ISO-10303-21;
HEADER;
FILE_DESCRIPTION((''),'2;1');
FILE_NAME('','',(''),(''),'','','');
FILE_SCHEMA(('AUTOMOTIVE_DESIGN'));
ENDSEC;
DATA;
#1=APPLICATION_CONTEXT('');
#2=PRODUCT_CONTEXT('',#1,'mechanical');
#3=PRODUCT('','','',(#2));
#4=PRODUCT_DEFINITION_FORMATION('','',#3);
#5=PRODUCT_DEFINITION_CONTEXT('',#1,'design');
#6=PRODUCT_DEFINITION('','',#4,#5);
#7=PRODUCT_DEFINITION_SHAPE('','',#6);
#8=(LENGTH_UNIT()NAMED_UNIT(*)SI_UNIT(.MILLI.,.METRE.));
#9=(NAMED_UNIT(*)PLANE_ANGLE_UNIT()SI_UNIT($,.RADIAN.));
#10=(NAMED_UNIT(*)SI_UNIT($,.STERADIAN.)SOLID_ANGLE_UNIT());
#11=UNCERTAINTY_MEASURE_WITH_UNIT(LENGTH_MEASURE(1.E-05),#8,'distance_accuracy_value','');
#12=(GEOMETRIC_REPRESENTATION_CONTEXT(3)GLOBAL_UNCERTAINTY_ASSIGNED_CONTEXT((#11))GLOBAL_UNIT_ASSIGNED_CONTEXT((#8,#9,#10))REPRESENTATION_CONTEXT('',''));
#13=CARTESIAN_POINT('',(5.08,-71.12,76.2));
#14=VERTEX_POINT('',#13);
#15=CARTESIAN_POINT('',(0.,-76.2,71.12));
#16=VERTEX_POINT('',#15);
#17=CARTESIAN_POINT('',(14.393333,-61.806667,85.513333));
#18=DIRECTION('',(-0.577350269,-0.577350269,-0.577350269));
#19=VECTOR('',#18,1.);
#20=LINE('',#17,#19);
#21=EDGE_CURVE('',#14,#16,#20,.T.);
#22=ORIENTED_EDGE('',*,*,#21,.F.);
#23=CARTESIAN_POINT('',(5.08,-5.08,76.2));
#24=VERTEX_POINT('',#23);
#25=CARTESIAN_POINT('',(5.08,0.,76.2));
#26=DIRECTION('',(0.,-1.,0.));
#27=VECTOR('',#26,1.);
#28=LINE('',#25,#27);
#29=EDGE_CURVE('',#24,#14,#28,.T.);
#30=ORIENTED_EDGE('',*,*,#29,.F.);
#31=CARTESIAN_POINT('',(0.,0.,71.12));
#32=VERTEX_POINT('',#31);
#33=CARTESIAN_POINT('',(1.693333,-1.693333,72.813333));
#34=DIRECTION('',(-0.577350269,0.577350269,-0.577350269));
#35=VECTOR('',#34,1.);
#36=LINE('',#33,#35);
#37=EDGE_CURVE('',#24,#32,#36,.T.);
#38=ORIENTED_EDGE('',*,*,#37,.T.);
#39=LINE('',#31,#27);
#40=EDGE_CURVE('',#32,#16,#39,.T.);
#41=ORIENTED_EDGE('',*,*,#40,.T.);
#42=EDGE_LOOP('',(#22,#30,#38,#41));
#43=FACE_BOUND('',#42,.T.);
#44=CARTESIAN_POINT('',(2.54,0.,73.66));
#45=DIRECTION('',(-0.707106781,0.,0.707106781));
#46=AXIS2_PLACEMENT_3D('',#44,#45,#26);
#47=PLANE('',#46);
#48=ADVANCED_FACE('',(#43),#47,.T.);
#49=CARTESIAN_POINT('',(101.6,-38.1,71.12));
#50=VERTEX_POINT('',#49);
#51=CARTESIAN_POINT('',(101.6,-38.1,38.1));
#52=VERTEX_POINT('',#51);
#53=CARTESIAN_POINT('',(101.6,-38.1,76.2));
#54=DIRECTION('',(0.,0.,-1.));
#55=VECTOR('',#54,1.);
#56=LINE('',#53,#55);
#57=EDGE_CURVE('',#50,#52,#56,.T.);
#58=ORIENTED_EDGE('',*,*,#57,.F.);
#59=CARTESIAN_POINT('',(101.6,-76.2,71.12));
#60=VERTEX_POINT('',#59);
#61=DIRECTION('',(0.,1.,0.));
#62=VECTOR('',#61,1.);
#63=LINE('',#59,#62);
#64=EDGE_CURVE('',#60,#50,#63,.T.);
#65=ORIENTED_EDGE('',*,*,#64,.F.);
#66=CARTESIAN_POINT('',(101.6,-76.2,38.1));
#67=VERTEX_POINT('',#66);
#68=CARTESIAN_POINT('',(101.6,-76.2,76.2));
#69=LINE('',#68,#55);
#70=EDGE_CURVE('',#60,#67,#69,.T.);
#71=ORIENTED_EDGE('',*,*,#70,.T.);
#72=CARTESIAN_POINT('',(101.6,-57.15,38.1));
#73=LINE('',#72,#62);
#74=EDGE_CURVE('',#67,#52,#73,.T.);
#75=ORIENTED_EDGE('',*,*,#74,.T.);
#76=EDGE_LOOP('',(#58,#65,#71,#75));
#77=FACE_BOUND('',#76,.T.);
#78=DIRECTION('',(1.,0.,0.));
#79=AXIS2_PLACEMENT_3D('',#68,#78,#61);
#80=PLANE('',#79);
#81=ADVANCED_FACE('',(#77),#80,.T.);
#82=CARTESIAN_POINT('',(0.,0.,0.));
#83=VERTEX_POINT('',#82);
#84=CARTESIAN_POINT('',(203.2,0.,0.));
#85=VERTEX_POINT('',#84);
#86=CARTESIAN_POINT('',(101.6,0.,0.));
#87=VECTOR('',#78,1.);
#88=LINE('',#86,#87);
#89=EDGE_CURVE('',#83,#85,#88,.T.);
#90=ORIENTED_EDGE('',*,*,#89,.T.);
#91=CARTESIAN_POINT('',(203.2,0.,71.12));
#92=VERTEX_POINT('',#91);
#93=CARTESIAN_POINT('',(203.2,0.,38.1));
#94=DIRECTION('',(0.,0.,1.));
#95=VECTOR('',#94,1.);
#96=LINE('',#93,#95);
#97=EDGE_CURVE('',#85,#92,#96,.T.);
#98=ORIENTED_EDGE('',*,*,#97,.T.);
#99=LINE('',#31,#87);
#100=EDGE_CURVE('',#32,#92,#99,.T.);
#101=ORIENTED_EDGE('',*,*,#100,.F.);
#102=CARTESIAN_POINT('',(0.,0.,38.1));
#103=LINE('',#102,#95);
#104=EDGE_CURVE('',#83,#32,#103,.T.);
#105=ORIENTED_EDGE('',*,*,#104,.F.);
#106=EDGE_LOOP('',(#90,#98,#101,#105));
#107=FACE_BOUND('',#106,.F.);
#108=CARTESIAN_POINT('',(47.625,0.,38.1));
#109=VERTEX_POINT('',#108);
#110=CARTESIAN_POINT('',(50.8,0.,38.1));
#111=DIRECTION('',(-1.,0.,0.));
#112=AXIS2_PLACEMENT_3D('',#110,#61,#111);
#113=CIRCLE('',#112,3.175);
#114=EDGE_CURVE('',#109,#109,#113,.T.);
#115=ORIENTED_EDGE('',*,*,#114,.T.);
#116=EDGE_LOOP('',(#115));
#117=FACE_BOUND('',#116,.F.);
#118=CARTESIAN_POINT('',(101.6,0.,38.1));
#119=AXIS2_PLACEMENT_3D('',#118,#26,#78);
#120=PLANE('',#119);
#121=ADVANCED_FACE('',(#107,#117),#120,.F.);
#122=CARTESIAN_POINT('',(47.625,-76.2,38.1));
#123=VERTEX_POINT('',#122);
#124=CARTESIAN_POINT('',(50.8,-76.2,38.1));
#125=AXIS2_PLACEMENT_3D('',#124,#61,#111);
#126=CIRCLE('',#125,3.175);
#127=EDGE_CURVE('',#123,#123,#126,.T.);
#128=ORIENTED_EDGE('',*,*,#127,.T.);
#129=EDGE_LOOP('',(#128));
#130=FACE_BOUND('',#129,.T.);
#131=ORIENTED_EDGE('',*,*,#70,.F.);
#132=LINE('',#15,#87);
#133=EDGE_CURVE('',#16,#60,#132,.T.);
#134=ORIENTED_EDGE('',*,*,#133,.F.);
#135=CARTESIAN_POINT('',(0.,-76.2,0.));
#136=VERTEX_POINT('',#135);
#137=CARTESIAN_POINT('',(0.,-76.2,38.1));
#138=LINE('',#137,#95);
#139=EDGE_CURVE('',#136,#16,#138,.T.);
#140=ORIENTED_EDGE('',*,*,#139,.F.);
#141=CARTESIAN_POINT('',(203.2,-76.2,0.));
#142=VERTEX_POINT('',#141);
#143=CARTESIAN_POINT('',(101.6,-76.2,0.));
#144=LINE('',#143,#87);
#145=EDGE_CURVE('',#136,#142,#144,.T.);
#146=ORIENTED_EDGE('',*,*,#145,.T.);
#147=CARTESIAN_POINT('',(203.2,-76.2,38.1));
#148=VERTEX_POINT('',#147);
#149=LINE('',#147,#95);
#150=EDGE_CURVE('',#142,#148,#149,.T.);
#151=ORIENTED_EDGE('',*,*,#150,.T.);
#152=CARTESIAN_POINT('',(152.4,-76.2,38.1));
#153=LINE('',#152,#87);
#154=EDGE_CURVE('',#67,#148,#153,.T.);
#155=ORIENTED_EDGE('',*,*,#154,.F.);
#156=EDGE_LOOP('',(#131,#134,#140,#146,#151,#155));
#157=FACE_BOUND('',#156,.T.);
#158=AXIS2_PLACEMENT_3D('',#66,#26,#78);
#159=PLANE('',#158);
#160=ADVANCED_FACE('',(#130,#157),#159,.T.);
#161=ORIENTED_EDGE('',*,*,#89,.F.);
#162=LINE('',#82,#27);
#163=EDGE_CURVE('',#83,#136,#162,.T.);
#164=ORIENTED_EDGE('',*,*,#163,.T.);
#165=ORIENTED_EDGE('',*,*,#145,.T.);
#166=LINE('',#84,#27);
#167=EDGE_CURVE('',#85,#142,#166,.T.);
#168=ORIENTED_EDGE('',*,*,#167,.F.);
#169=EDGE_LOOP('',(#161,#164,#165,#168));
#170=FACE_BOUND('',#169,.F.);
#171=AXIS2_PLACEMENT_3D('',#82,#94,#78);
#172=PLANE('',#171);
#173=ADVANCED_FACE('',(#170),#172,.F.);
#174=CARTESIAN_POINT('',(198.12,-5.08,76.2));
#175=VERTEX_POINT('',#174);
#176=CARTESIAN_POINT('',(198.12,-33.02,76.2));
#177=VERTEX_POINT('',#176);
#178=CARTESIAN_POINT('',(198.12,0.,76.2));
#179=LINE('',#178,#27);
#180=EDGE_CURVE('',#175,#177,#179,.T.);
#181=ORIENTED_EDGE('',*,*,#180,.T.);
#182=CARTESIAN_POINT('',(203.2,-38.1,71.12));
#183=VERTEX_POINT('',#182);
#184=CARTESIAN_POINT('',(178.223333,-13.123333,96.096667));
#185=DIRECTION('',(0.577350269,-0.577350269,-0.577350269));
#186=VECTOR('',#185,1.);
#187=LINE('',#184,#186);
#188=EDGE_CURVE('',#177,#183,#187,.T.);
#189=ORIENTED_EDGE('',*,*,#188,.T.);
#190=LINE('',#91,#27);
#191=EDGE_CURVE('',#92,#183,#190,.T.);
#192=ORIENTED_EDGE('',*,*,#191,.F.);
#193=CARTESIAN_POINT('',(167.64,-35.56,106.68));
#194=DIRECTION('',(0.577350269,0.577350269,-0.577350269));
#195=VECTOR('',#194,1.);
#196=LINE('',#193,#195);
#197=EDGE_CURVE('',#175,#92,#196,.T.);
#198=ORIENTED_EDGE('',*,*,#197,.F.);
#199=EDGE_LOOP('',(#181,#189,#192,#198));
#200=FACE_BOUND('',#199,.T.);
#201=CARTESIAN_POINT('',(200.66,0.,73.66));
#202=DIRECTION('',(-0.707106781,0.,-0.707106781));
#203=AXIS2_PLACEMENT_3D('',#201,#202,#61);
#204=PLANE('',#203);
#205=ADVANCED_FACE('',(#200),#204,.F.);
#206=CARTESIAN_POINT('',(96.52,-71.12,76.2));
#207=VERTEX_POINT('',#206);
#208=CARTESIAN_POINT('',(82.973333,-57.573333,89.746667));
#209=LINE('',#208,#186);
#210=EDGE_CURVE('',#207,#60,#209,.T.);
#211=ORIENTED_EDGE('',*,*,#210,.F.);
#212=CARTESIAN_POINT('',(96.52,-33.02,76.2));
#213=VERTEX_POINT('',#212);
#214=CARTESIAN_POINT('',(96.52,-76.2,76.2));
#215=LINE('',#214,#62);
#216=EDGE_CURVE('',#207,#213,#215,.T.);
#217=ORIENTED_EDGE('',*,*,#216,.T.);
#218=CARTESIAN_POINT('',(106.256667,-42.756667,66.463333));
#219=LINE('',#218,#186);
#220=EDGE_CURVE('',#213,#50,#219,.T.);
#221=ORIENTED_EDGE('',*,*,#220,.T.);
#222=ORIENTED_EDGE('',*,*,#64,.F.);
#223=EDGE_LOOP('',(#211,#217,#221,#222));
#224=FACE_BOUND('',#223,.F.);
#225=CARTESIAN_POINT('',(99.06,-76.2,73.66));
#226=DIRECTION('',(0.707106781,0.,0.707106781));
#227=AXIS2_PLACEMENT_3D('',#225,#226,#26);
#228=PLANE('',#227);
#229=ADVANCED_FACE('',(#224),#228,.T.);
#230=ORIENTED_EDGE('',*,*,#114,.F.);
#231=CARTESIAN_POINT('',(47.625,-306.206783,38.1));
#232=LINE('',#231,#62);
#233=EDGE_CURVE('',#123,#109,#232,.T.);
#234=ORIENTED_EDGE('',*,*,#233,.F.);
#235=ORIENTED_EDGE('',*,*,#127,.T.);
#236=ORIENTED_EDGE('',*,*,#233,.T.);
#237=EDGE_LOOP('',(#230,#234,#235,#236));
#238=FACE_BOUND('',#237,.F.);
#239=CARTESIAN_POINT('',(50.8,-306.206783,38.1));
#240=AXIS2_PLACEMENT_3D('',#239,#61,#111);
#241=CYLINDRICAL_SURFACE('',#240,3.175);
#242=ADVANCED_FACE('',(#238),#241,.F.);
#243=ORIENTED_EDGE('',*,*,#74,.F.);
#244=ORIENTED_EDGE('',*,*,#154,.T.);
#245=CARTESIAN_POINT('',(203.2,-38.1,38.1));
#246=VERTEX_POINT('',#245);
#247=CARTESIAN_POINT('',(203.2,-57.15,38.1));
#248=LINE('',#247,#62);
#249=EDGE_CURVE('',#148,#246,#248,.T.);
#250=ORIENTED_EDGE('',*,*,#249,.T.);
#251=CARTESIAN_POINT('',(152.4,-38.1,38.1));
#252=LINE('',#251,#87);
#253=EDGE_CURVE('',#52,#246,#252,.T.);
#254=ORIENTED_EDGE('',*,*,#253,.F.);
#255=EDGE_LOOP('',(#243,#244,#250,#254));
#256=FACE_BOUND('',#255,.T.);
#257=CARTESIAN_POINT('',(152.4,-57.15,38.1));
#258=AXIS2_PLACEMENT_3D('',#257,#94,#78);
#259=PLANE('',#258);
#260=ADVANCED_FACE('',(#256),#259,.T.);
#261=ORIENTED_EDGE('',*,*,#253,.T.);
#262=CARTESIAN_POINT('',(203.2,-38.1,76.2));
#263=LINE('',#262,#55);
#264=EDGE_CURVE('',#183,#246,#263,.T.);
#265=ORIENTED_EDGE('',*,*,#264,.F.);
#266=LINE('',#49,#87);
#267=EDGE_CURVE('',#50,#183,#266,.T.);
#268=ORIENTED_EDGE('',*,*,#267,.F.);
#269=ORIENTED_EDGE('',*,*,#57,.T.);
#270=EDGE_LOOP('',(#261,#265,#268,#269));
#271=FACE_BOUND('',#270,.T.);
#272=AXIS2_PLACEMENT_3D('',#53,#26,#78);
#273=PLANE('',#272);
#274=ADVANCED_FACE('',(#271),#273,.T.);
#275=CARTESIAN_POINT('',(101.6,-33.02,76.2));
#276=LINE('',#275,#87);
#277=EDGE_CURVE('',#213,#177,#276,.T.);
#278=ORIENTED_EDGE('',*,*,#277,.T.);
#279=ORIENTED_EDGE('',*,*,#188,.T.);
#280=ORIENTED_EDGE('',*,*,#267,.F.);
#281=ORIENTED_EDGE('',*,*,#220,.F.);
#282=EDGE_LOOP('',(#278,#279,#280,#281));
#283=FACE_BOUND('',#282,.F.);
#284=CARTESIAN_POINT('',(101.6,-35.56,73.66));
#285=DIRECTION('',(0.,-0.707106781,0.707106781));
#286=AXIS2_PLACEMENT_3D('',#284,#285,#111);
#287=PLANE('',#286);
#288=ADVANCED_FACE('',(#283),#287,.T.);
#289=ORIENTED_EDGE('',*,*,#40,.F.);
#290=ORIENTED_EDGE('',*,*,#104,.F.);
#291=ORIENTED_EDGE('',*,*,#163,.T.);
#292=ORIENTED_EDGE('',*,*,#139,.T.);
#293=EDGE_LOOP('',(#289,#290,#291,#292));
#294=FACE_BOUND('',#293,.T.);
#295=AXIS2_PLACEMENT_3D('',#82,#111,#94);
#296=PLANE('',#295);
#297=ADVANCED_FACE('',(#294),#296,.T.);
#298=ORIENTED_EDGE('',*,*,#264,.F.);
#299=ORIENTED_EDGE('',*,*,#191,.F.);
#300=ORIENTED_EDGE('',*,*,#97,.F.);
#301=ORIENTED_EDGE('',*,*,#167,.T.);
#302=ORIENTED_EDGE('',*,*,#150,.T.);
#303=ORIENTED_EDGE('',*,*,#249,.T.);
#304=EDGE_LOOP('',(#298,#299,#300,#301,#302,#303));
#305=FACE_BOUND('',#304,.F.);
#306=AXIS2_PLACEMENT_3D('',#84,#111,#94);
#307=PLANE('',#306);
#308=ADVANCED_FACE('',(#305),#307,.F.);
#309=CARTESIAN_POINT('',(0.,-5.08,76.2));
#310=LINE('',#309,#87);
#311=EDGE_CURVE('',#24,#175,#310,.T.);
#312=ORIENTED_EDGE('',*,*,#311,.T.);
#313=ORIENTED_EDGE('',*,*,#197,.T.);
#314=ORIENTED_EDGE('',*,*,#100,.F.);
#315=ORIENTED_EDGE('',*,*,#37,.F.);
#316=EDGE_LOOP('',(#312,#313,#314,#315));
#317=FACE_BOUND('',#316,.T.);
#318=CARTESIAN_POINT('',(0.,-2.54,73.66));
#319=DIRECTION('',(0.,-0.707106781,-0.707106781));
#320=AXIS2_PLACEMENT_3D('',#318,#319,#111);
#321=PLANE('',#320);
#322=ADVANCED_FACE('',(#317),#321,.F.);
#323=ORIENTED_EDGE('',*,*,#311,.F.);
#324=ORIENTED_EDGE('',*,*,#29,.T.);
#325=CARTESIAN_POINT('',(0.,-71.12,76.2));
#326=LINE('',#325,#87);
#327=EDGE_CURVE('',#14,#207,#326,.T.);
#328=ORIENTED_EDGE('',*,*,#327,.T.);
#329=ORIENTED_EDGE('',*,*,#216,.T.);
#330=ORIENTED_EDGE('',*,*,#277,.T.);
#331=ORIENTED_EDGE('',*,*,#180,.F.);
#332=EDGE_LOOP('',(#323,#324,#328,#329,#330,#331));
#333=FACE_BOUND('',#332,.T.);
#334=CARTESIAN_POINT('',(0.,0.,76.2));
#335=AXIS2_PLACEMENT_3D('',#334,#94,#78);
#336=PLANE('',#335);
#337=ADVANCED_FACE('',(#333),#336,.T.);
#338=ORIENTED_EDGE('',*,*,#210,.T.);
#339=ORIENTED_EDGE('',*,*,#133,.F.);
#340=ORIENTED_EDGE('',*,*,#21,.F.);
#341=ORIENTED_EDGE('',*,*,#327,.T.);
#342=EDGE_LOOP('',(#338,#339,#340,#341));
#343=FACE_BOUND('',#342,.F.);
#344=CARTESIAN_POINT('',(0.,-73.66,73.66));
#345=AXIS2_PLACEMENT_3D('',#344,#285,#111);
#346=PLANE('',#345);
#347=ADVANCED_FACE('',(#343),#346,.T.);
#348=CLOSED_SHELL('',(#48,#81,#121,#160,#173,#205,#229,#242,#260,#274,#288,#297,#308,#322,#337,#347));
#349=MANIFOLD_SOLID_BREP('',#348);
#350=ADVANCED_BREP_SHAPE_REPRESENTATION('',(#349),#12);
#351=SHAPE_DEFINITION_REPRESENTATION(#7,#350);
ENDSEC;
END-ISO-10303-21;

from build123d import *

# Parameters (mm, degrees)
F0_W     = 203.2
F0_H     = 76.2
F1_DEPTH = 76.2
F2_W     = 101.6
F2_H     = 38.1
F3_DEPTH = 38.1
F4_SIZE  = 5.08
F6_D     = 6.35


with BuildPart() as f1:
    # F0 (on Front) → F1 (new body)
    with BuildSketch(Plane.XZ):
        with Locations((101.6, 38.1)):
            Rectangle(F0_W, F0_H)
    extrude(amount=F1_DEPTH)

    # F2 (on face) → F3 (cut)
    with BuildSketch(Plane.XY.offset(76.2)):
        with Locations((152.4, -57.15)):
            Rectangle(F2_W, F2_H)
    extrude(amount=-F3_DEPTH, mode=Mode.SUBTRACT)

    # F4
    f4_edges = [f1.edges().sort_by_distance(p)[0] for p in [
        (50.8, -76.2, 76.2),
        (101.6, 0, 76.2),
        (0, -38.1, 76.2),
        (101.6, -57.15, 76.2),
        (152.4, -38.1, 76.2),
        (203.2, -19.05, 76.2),
    ]]
    chamfer(f4_edges, length=F4_SIZE)

    # F6 (through all)
    with Locations(Plane.XZ.offset(76.2)):
        with Locations((50.8, 38.1)):
            Hole(F6_D / 2)


solid = f1.part
